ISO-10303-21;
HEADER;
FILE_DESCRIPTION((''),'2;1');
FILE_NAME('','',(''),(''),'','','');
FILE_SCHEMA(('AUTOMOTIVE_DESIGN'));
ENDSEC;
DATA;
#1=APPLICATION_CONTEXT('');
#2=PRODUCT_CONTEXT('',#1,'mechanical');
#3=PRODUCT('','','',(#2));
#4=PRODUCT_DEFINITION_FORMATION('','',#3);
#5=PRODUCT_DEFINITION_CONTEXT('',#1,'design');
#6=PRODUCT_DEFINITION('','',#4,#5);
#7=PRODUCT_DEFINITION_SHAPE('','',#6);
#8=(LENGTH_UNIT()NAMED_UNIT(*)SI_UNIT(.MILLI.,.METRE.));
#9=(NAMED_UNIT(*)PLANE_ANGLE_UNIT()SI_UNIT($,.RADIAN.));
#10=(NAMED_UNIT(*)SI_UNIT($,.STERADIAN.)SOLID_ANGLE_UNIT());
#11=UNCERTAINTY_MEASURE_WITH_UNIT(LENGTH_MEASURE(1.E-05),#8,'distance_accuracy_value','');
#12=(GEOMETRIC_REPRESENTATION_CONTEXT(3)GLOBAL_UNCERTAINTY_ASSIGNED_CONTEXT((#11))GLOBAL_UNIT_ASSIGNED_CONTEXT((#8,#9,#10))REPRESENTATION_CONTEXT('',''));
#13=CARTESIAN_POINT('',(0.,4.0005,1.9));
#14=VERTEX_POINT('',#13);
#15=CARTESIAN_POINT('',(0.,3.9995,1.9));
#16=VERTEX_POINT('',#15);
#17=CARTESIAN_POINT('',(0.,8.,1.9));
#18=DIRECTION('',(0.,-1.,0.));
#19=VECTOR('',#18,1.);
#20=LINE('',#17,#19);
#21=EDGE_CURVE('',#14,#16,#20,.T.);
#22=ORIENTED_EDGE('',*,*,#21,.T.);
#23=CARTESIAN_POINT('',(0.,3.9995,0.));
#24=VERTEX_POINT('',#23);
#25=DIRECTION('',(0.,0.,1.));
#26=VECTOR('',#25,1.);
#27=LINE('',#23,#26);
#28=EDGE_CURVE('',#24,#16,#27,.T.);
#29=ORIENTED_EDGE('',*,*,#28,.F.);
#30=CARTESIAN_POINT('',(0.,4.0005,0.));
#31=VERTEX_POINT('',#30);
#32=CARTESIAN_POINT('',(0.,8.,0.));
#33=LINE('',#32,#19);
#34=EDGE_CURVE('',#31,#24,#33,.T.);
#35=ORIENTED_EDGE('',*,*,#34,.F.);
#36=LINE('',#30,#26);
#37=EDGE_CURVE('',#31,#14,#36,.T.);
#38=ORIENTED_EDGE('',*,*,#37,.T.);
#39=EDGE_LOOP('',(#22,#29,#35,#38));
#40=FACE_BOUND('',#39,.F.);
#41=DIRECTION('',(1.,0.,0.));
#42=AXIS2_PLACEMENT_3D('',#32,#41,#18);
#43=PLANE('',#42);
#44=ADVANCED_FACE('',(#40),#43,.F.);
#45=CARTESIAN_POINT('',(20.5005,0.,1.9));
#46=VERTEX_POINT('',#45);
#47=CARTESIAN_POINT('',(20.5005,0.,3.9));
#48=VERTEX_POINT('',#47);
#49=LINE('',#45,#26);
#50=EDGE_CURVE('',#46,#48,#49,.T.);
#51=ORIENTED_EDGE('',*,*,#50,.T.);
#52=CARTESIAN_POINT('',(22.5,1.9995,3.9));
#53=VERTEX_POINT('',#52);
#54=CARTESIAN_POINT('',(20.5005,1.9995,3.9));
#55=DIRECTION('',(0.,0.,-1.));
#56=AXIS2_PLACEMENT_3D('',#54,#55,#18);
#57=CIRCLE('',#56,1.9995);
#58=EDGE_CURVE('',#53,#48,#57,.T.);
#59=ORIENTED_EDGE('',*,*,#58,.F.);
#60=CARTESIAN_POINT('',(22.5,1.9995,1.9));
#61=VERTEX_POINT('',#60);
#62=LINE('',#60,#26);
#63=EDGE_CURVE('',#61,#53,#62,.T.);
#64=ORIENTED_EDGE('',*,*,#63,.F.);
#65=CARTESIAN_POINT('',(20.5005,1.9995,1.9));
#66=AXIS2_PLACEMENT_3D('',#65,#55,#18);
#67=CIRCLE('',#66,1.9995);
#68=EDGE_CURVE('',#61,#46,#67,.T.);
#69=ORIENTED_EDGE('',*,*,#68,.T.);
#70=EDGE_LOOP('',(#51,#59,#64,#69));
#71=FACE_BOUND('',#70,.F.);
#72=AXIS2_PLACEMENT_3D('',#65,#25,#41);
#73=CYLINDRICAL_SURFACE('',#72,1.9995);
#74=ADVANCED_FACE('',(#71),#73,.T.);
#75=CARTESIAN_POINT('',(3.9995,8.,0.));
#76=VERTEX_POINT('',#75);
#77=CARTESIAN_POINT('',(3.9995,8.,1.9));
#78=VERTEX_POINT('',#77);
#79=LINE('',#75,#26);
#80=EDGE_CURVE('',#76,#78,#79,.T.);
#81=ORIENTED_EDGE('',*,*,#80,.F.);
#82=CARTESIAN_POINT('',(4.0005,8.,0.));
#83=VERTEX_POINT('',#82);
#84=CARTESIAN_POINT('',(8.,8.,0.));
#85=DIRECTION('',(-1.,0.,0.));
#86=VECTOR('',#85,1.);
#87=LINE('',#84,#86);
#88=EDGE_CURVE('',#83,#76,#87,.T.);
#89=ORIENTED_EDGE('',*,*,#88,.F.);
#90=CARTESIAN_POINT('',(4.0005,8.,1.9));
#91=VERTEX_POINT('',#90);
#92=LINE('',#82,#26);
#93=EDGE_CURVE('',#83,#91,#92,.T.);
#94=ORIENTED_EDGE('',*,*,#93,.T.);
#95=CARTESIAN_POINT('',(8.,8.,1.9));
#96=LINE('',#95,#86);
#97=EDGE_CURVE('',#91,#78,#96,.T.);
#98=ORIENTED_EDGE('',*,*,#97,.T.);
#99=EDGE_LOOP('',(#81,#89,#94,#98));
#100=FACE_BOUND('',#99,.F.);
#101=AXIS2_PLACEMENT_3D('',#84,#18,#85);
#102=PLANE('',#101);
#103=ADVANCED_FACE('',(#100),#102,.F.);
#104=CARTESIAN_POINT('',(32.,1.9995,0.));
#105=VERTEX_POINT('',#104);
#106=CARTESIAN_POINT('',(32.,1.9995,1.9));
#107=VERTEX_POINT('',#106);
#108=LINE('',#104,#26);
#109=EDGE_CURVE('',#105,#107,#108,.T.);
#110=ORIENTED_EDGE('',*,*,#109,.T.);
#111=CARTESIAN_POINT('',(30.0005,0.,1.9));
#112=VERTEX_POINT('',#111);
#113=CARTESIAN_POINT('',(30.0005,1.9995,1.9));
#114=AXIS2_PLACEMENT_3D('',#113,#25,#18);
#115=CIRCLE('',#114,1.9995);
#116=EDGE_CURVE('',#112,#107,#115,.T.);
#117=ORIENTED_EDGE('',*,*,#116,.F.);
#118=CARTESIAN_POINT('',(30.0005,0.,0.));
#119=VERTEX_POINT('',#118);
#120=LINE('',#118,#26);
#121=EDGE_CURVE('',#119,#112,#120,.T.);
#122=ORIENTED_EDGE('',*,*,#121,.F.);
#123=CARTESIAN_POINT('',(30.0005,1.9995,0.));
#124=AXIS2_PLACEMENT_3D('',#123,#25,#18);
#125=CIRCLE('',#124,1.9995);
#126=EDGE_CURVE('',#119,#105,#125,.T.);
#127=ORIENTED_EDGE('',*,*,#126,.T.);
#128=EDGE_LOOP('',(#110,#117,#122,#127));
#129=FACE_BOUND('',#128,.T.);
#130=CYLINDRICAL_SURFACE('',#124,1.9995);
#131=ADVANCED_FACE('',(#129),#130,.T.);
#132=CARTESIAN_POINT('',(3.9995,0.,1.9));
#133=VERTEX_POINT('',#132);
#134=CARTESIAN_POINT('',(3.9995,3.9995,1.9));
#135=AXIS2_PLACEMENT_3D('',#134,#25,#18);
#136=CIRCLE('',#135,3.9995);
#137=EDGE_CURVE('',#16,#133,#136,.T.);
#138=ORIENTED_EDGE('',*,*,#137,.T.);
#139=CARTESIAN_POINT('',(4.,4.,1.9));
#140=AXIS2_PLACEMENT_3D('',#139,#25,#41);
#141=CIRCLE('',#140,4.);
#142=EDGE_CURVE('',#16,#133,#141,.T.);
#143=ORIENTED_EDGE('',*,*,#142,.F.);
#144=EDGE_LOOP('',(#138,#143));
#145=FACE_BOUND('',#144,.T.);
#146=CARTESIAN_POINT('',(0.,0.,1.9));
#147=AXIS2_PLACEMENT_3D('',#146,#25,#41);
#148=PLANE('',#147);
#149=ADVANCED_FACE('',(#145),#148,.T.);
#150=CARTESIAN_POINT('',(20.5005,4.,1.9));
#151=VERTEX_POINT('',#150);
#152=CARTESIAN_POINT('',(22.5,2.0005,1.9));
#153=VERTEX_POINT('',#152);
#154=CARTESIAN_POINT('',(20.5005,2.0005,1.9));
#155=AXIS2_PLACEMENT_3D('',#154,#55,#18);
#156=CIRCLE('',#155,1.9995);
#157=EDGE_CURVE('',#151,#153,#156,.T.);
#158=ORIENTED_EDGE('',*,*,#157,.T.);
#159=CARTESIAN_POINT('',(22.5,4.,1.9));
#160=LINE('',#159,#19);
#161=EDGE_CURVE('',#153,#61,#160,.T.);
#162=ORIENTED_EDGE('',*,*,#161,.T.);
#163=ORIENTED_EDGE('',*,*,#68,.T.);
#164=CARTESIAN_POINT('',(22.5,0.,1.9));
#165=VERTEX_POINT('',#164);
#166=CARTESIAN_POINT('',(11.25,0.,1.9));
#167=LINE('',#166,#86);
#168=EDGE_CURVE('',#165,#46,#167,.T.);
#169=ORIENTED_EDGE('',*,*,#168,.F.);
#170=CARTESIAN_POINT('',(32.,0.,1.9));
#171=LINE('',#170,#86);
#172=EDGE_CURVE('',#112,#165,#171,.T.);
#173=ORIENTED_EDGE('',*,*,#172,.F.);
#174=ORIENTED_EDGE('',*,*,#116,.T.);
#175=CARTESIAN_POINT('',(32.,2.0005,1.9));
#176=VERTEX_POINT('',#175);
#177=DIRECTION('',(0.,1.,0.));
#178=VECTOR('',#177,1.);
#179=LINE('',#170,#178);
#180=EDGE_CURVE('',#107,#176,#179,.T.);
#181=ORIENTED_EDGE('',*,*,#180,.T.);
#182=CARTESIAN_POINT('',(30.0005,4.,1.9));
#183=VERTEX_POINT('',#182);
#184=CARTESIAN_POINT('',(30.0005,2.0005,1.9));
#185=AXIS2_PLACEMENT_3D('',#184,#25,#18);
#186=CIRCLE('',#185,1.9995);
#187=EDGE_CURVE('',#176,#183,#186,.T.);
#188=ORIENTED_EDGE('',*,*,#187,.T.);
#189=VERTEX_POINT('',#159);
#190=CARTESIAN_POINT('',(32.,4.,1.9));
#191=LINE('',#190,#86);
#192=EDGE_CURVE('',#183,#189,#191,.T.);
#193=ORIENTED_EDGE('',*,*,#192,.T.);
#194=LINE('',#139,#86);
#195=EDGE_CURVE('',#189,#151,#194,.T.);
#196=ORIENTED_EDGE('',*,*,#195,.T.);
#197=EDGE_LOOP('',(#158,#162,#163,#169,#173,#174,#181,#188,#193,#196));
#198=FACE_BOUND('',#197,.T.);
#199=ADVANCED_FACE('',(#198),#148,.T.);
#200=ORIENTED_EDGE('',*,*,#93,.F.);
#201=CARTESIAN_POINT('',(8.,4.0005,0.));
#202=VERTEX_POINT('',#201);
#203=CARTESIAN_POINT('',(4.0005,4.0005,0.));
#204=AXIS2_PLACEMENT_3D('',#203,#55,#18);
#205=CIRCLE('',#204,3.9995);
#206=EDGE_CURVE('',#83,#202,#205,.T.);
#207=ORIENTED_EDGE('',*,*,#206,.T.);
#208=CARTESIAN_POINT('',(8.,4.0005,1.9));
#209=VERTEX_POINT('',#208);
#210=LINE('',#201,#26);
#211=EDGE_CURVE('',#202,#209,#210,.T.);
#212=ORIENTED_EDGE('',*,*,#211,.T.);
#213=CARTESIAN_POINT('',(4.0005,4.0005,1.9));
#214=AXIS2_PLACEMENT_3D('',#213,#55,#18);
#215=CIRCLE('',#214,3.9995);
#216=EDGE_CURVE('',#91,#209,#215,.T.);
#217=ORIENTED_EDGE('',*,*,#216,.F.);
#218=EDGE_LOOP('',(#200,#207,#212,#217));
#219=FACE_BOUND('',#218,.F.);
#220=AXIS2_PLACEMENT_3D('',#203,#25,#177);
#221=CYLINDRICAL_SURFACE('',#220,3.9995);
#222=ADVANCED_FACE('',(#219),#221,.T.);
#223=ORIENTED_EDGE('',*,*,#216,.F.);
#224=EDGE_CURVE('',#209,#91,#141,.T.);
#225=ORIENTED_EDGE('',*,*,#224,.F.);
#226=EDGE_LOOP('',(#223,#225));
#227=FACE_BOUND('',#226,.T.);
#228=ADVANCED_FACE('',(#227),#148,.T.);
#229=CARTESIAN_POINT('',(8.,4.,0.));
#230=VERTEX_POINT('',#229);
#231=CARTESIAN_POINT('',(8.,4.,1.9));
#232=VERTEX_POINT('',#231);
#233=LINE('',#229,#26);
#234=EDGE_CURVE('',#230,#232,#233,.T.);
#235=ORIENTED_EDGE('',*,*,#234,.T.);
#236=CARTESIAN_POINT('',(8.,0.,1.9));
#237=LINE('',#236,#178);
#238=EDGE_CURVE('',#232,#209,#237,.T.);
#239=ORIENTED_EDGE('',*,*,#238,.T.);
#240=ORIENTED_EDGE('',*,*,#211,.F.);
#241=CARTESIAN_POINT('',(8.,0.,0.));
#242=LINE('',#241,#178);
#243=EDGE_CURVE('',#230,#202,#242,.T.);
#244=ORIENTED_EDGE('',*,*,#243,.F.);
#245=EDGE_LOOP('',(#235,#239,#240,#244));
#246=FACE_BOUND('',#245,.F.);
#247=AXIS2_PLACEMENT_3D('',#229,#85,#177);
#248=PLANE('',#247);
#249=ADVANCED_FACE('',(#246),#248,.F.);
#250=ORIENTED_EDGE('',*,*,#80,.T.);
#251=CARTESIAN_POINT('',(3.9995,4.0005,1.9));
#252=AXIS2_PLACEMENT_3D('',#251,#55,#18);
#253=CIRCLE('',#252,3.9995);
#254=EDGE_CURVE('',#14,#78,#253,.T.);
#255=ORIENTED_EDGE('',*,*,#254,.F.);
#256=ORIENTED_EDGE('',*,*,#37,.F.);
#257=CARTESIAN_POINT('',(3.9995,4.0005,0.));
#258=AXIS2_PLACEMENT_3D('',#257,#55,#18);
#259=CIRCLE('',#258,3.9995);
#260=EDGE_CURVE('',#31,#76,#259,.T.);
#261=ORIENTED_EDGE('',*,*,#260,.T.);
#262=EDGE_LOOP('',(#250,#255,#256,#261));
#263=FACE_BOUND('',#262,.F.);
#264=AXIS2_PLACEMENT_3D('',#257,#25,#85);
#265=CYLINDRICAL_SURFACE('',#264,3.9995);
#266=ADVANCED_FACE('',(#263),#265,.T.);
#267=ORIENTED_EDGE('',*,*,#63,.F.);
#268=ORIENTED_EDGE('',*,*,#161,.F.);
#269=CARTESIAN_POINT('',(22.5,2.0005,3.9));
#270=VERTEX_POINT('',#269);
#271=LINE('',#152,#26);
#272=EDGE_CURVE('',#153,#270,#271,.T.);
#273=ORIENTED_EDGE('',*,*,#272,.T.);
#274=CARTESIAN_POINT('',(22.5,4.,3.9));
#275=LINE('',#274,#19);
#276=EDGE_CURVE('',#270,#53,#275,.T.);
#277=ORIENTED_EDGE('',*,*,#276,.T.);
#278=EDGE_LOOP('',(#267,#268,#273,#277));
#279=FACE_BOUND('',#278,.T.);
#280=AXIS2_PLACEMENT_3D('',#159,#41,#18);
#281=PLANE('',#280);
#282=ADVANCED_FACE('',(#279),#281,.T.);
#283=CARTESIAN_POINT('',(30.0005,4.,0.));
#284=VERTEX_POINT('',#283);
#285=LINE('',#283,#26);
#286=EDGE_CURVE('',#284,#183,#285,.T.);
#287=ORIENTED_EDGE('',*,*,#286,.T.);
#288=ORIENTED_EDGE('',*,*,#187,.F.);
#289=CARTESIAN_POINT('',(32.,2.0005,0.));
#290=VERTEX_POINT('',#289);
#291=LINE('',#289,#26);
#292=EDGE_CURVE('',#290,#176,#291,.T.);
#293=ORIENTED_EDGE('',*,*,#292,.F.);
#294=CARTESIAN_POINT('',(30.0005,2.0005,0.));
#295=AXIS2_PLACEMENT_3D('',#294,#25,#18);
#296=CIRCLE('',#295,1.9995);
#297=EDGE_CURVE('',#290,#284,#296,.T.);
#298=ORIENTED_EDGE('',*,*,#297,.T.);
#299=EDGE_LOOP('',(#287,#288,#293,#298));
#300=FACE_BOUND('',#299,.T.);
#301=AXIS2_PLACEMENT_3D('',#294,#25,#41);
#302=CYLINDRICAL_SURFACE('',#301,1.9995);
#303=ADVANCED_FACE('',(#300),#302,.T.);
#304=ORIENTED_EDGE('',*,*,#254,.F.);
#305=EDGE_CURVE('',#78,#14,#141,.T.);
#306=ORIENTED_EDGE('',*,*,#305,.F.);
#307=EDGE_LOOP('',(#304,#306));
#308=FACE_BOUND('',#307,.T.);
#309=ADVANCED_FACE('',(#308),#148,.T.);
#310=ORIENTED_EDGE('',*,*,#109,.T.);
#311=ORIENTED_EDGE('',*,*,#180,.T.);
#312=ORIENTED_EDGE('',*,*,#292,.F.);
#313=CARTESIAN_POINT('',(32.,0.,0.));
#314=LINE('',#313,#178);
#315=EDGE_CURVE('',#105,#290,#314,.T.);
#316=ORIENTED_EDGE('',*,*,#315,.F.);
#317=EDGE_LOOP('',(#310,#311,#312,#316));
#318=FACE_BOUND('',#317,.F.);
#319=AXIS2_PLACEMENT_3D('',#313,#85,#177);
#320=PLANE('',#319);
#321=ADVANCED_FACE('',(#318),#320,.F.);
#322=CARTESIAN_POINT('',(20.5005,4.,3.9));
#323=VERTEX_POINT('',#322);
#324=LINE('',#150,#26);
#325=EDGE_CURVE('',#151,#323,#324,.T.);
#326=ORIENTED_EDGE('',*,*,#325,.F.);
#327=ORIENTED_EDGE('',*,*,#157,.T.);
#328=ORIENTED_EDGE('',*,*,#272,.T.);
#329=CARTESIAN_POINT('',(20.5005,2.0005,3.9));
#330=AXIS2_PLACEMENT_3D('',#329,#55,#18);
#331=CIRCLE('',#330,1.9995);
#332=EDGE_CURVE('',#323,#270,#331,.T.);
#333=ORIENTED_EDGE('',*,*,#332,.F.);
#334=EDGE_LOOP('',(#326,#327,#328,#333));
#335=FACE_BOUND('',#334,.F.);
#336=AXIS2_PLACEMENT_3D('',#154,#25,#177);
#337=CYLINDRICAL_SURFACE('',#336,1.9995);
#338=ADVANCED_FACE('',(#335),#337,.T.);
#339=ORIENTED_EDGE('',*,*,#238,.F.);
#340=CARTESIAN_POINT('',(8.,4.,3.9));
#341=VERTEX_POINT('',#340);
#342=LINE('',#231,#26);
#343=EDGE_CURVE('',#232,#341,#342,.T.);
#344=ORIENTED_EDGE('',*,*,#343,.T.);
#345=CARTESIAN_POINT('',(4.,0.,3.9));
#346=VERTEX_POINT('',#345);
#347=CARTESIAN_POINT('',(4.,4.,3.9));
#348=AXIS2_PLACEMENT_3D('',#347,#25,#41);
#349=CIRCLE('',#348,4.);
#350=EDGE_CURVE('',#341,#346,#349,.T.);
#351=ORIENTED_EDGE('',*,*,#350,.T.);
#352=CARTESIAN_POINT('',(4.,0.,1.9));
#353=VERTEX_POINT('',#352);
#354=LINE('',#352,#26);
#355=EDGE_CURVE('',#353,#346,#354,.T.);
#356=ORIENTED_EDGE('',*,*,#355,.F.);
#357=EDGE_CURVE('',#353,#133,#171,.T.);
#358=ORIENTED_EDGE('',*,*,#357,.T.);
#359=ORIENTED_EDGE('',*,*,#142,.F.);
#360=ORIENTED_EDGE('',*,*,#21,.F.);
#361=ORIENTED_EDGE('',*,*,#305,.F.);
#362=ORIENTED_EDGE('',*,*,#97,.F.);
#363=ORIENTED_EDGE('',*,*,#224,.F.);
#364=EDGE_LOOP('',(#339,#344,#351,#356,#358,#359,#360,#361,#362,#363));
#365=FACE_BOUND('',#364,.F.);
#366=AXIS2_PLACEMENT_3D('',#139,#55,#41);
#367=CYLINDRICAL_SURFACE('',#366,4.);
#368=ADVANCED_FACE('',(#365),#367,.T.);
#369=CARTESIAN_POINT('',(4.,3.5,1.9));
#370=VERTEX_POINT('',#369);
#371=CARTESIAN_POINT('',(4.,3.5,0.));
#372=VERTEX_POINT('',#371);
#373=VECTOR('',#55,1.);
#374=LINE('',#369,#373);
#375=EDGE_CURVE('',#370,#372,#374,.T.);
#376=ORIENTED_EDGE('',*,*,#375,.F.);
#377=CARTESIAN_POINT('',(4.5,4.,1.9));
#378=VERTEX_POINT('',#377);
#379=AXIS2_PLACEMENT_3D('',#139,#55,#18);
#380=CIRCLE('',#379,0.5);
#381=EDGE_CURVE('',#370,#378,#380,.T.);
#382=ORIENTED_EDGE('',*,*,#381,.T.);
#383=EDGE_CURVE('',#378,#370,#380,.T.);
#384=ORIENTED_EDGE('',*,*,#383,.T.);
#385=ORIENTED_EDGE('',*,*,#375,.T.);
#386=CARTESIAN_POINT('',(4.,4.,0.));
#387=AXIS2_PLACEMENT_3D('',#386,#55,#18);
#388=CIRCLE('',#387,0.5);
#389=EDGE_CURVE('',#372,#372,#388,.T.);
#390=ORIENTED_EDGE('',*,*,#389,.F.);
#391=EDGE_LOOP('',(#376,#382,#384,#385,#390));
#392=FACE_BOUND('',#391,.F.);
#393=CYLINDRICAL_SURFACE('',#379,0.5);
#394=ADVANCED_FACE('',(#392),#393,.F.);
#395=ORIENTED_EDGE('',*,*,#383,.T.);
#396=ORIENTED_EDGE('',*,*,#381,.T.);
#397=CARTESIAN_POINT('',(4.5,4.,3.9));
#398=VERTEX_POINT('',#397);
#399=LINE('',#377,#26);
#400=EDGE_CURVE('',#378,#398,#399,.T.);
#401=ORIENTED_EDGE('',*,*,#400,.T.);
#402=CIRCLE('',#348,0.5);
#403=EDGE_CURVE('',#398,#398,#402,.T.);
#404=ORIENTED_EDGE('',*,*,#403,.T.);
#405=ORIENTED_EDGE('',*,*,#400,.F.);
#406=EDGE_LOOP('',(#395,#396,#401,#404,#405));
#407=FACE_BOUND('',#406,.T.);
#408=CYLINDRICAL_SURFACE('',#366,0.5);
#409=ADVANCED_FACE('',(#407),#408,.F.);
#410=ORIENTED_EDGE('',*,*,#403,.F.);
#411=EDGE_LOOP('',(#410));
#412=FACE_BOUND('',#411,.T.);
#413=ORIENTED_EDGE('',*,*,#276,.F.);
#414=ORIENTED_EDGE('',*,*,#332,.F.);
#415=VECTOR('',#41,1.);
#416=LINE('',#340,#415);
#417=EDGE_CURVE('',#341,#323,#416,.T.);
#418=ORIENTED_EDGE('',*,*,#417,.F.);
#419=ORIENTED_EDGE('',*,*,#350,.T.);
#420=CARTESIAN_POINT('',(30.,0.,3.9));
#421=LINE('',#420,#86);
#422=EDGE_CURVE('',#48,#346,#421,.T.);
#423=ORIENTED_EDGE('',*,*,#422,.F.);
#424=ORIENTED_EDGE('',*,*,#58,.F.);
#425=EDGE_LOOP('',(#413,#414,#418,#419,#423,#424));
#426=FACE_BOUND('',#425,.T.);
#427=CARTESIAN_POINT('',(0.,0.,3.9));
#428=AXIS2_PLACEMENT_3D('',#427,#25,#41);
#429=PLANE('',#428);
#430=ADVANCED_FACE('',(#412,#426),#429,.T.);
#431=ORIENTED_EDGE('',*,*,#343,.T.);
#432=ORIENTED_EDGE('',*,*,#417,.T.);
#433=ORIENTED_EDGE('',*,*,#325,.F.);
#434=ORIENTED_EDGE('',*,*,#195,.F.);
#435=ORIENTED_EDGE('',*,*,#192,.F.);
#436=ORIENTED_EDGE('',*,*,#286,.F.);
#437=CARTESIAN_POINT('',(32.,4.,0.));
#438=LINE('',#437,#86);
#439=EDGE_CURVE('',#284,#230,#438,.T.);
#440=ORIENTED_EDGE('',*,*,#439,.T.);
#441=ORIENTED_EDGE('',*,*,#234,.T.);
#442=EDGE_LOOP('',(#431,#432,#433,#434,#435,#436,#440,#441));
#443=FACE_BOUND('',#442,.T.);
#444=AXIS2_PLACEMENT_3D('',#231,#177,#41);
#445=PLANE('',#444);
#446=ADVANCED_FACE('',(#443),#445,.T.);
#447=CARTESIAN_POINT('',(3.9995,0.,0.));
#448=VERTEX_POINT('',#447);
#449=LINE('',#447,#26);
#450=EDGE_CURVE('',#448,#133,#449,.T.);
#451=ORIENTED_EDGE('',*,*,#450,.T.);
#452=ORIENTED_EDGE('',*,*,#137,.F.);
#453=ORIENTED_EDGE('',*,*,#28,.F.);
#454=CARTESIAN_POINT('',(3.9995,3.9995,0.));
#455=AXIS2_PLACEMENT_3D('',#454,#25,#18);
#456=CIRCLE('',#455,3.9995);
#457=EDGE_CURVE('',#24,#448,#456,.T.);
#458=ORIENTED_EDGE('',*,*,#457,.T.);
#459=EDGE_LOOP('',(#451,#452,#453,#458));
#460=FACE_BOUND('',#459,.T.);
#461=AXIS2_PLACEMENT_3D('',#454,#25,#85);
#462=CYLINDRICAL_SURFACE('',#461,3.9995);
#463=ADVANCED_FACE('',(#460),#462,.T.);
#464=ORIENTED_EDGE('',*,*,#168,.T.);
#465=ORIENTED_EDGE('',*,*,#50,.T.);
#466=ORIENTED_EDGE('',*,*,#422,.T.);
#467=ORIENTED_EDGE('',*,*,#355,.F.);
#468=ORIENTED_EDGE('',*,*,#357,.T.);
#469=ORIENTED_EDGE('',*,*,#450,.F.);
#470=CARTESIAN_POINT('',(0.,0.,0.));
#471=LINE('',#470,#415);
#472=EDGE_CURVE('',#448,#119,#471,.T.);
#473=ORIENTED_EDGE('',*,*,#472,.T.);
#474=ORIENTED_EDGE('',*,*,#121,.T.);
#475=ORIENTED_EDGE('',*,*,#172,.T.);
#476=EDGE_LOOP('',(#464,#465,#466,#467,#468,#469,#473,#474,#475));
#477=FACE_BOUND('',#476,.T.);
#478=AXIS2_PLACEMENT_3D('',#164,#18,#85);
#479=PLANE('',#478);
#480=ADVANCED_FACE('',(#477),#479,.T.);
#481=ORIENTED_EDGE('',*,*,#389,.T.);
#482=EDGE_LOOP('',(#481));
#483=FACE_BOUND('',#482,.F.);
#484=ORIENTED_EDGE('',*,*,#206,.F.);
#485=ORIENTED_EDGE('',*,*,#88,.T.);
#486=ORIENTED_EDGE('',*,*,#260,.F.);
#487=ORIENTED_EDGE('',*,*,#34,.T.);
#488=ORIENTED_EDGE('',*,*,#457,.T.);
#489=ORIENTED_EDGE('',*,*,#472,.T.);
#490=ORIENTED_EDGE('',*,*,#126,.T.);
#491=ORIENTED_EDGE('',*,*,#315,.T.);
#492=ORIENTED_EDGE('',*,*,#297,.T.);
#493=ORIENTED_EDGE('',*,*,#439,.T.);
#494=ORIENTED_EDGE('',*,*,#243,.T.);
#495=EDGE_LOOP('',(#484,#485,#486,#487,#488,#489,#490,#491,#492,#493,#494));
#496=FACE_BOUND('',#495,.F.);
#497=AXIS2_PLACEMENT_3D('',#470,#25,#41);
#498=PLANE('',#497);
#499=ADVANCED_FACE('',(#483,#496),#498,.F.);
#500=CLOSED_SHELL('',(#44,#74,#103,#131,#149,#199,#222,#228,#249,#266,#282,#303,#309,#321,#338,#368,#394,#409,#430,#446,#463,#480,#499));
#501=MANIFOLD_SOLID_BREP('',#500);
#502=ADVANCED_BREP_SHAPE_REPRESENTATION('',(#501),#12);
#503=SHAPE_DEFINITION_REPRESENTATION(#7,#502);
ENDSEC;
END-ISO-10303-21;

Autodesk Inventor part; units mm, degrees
ref_plane "YZ Plane" through (0, 0, 0) normal (1, 0, 0) x (0, 1, 0)
ref_plane "XZ Plane" through (0, 0, 0) normal (0, 1, 0) x (-1, 0, 0)
ref_plane "XY Plane" through (0, 0, 0) normal (0, 0, 1) x (1, 0, 0)
sketch "Boceto1" plane through (0, 0, 0) normal (0, 0, 1) x (1, 0, 0)
  line L0 (0, 0) -> (8, 0)
  line L1 (8, 0) -> (8, 8)
  line L2 (8, 8) -> (0, 8)
  line L3 (0, 8) -> (0, 0)
  line L4 (8, 0) -> (32, 0)
  line L5 (32, 0) -> (32, 4)
  line L6 (32, 4) -> (8, 4)
  line L7 (8, 4) -> (8, 0)
  dimension "d0" = 8
  dimension "d2" = 24
  dimension "d3" = 4
  dimension "d23" = 8
extrude "Extrusión1" add sketch "Boceto1" along normal blind 1.9
fillet "Empalme5" radius 4 3 edges at (0, 0, 0.95) (0, 8, 0.95) (8, 8, 0.95)
fillet "Empalme6" radius 2 2 edges at (32, 4, 0.95) (32, 0, 0.95)
sketch "Boceto2" plane through (0, 0, 1.9) normal (0, 0, 1) x (1, 0, 0)
  arc A0 (8, 4) -> (4, 0) centre (4, 4) ccw projected
  point P0 (0, 0)
hole "Hole1" at (4, 4, 1.9) direction (0, 0, -1) diameter 1 end through all
sketch "Boceto3" plane through (0, 0, 1.9) normal (0, 0, 1) x (1, 0, 0)
  circle A0 centre (4, 4) radius 0.5 projected
  line L0 (8, 4) -> (30, 4) projected
  arc A1 (8, 4) -> (4, 0) centre (4, 4) ccw projected
  line L1 (30, 0) -> (4, 0) projected
  line L2 (22.5, 4) -> (22.5, 0)
  point P0 (0, 0)
  dimension "d19" = 14.5
extrude "Extrusión2" add sketch "Boceto3" along normal blind 2
fillet "Empalme7" radius 2 2 edges at (22.5, 0, 2.9) (22.5, 4, 2.9)
properties part number "Traba"
